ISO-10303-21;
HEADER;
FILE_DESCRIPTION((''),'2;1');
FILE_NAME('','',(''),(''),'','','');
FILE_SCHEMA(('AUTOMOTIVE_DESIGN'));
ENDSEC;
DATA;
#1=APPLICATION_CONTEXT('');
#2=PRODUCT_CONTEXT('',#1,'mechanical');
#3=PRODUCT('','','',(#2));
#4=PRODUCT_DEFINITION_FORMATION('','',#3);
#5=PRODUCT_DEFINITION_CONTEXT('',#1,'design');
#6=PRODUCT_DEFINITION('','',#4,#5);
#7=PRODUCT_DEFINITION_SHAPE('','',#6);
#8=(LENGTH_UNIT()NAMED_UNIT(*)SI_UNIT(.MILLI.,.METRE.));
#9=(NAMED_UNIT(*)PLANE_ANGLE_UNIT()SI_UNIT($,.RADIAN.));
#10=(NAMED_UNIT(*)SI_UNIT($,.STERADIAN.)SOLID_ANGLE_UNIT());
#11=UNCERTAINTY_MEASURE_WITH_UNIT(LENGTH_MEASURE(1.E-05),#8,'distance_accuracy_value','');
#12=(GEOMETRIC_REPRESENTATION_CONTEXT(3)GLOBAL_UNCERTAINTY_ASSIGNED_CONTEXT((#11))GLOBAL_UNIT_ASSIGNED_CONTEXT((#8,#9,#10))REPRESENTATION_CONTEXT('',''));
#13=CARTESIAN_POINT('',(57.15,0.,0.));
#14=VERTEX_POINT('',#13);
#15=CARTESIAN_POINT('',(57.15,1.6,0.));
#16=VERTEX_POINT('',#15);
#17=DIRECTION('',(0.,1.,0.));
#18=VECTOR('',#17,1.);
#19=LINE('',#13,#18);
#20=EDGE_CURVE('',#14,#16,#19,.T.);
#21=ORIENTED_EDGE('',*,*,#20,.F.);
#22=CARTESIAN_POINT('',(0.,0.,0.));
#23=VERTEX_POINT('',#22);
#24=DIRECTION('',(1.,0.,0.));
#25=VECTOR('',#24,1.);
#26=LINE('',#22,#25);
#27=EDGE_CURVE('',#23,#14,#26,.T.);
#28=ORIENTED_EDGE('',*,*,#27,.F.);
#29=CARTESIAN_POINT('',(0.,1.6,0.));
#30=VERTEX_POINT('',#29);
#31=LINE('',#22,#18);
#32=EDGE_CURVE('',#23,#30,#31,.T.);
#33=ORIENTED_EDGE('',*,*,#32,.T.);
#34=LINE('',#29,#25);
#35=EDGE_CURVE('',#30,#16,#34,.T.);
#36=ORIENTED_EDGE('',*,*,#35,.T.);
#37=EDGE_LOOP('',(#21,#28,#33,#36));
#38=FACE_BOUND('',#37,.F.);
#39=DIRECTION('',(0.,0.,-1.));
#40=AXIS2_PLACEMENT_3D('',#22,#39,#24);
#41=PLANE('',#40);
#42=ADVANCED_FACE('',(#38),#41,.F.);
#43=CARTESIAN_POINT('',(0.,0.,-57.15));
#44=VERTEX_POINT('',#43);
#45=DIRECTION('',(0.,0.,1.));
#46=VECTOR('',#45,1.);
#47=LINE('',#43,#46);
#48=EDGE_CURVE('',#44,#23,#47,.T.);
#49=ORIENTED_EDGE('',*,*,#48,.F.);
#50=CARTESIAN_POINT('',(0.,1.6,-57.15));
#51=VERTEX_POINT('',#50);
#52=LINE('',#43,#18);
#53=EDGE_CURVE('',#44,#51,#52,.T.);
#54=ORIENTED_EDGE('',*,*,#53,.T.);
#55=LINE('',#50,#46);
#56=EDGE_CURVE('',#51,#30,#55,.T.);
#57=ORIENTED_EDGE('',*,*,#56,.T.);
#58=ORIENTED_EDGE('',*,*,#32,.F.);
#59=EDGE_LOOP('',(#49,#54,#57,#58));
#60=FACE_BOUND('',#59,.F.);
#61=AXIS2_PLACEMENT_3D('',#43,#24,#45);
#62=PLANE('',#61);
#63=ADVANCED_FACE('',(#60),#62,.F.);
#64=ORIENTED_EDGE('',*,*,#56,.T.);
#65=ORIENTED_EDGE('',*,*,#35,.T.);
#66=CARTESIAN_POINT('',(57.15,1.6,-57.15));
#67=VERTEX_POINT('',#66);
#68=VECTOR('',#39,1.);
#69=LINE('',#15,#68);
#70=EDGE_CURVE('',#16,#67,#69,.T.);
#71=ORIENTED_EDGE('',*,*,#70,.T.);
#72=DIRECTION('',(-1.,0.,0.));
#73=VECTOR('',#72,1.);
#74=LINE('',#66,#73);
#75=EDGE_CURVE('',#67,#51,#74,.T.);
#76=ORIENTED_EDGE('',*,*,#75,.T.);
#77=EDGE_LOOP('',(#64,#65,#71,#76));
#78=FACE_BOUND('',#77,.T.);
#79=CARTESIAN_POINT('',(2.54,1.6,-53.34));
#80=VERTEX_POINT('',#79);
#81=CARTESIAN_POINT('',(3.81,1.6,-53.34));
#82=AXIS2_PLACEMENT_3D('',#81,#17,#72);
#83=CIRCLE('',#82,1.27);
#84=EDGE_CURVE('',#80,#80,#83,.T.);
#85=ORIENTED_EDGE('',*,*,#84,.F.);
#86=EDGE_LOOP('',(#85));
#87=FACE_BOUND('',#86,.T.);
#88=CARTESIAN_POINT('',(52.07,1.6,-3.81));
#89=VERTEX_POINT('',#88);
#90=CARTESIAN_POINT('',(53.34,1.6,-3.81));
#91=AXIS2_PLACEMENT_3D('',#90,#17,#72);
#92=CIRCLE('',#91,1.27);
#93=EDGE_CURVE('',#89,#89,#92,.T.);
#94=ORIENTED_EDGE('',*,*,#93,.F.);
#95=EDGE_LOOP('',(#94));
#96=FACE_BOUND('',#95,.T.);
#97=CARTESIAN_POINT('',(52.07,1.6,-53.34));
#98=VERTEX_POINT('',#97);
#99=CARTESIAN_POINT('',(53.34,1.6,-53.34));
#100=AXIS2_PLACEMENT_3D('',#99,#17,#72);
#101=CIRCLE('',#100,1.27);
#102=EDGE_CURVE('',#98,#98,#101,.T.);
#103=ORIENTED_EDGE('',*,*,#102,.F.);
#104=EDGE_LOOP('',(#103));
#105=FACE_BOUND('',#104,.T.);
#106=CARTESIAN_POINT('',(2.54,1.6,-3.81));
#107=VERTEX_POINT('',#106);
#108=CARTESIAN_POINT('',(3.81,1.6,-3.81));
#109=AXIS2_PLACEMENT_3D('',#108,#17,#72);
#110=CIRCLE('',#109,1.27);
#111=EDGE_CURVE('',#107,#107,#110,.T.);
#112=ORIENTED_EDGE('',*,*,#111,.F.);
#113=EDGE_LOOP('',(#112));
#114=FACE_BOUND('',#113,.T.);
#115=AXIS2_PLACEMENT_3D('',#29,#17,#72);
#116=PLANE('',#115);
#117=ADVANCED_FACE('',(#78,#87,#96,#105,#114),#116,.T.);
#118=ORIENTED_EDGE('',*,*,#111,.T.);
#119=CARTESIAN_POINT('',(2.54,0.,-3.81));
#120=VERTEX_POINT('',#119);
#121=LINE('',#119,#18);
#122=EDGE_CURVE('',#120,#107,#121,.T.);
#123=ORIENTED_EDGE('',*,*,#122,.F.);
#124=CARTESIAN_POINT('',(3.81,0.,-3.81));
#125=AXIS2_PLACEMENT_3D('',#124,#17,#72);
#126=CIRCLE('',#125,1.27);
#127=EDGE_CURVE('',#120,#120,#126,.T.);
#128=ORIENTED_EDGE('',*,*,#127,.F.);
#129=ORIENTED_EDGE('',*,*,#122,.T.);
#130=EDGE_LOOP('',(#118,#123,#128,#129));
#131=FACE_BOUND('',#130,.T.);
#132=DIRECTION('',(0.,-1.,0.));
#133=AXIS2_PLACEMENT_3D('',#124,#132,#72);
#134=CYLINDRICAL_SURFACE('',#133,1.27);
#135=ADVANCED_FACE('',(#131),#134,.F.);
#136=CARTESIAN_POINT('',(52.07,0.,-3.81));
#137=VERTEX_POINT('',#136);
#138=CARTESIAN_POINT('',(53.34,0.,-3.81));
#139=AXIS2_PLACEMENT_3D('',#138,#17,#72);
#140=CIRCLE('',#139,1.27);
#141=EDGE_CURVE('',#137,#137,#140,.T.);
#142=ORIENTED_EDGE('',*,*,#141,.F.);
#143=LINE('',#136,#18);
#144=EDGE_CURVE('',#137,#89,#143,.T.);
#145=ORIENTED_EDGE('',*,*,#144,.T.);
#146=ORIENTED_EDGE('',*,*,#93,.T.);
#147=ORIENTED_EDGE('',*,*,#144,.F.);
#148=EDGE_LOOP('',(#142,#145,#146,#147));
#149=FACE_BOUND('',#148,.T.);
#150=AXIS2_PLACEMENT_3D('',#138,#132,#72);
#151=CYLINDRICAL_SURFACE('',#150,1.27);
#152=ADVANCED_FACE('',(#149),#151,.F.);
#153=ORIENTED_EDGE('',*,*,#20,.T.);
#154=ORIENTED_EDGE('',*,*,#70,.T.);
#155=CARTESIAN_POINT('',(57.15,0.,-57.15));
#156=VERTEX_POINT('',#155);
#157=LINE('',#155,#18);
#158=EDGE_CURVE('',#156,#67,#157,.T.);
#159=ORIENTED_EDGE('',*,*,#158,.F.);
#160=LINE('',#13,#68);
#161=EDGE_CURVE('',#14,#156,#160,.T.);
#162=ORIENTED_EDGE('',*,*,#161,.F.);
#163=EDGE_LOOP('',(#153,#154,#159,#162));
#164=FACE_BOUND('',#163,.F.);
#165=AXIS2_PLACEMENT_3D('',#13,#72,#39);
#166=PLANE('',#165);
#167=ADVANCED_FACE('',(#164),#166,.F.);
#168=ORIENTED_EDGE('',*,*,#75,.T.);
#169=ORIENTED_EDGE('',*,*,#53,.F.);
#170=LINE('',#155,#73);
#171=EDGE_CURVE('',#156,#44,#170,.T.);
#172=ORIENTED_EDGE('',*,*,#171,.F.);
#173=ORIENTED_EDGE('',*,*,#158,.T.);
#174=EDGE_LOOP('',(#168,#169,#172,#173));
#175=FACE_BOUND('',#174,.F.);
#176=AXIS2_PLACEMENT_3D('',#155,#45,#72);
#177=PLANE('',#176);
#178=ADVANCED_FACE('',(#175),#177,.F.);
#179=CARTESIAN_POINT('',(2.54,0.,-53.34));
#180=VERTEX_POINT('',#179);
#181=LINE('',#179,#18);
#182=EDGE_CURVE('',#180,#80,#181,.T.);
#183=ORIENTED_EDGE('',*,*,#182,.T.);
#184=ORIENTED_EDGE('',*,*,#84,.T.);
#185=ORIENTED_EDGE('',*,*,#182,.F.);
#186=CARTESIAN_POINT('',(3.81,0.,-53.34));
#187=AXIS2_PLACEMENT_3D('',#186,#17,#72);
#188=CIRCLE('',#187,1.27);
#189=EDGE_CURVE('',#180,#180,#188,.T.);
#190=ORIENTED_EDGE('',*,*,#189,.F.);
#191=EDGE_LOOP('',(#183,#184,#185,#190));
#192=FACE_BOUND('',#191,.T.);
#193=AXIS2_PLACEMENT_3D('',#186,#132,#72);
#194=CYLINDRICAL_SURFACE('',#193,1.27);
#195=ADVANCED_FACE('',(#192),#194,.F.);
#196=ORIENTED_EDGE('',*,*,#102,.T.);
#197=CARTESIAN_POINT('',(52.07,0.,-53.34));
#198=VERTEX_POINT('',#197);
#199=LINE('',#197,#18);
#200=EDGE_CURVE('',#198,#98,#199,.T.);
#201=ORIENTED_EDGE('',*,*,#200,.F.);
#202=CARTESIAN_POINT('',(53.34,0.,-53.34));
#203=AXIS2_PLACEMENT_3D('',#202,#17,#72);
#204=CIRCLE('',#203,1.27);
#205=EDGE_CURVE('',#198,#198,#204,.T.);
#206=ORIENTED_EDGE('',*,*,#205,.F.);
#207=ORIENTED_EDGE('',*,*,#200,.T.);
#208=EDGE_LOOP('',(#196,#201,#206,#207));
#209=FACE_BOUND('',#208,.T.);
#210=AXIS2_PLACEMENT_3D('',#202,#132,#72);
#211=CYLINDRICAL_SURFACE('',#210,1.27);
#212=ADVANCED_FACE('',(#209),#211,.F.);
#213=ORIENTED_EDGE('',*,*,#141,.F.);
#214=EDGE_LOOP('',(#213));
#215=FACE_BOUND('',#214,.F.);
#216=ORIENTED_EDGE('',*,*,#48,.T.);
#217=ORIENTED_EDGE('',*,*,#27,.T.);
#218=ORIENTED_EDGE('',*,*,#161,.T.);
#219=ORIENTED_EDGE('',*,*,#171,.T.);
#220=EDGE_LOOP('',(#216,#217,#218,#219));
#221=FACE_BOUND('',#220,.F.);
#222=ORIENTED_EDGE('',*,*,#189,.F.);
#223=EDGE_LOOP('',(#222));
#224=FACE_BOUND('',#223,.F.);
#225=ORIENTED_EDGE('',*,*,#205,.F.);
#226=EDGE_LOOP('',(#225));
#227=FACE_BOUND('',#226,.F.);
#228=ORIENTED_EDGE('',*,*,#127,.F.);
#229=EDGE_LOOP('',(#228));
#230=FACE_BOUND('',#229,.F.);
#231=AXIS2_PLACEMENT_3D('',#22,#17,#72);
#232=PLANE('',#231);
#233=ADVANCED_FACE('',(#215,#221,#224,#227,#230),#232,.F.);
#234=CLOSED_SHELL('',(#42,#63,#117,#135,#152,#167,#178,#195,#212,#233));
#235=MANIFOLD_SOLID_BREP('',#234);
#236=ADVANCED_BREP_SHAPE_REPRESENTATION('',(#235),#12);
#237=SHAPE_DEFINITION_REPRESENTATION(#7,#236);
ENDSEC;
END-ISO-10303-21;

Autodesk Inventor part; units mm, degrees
ref_plane "YZ Plane" through (0, 0, 0) normal (1, 0, 0) x (0, 1, 0)
ref_plane "XZ Plane" through (0, 0, 0) normal (0, 1, 0) x (-1, 0, 0)
ref_plane "XY Plane" through (0, 0, 0) normal (0, 0, 1) x (1, 0, 0)
sketch "Sketch1" plane through (0, 0, 0) normal (0, 1, 0) x (-1, 0, 0)
  line L0 (0, 0) -> (-57.15, 0)
  line L1 (-57.15, 0) -> (-57.15, -57.15)
  line L2 (-57.15, -57.15) -> (0, -57.15)
  line L3 (0, -57.15) -> (0, 0)
  circle A0 centre (-3.81, -3.81) radius 1.27
  line L4 (-28.575, 0) -> (-28.575, -57.15) construction
  line L5 (0, -28.575) -> (-57.15, -28.575) construction
  circle A1 centre (-3.81, -53.34) radius 1.27
  circle A2 centre (-53.34, -3.81) radius 1.27
  circle A3 centre (-53.34, -53.34) radius 1.27
  dimension "d0" = 57.15
  dimension "d1" = 57.15
  dimension "d2" = 3.81
  dimension "d3" = 2.54
  dimension "d4" = 3.81
extrude "Extrusion1" add sketch "Sketch1" along normal blind 1.6
sketch "Sketch2" plane through (0, 1.6, 0) normal (0, 1, 0) x (1, 0, 0)
  circle A0 centre (53.34, 53.34) radius 1.27 projected
  circle A1 centre (53.34, 3.81) radius 1.27 projected
  circle A2 centre (3.81, 53.34) radius 1.27 projected
  circle A3 centre (3.81, 3.81) radius 1.27 projected
  line L0 (0, 0) -> (57.15, 0) projected
  line L1 (57.15, 0) -> (57.15, 57.15) projected
  line L2 (57.15, 57.15) -> (0, 57.15) projected
  line L3 (0, 57.15) -> (0, 0) projected
  dimension "d7" = 49.53
properties part number "SFE PCB"
